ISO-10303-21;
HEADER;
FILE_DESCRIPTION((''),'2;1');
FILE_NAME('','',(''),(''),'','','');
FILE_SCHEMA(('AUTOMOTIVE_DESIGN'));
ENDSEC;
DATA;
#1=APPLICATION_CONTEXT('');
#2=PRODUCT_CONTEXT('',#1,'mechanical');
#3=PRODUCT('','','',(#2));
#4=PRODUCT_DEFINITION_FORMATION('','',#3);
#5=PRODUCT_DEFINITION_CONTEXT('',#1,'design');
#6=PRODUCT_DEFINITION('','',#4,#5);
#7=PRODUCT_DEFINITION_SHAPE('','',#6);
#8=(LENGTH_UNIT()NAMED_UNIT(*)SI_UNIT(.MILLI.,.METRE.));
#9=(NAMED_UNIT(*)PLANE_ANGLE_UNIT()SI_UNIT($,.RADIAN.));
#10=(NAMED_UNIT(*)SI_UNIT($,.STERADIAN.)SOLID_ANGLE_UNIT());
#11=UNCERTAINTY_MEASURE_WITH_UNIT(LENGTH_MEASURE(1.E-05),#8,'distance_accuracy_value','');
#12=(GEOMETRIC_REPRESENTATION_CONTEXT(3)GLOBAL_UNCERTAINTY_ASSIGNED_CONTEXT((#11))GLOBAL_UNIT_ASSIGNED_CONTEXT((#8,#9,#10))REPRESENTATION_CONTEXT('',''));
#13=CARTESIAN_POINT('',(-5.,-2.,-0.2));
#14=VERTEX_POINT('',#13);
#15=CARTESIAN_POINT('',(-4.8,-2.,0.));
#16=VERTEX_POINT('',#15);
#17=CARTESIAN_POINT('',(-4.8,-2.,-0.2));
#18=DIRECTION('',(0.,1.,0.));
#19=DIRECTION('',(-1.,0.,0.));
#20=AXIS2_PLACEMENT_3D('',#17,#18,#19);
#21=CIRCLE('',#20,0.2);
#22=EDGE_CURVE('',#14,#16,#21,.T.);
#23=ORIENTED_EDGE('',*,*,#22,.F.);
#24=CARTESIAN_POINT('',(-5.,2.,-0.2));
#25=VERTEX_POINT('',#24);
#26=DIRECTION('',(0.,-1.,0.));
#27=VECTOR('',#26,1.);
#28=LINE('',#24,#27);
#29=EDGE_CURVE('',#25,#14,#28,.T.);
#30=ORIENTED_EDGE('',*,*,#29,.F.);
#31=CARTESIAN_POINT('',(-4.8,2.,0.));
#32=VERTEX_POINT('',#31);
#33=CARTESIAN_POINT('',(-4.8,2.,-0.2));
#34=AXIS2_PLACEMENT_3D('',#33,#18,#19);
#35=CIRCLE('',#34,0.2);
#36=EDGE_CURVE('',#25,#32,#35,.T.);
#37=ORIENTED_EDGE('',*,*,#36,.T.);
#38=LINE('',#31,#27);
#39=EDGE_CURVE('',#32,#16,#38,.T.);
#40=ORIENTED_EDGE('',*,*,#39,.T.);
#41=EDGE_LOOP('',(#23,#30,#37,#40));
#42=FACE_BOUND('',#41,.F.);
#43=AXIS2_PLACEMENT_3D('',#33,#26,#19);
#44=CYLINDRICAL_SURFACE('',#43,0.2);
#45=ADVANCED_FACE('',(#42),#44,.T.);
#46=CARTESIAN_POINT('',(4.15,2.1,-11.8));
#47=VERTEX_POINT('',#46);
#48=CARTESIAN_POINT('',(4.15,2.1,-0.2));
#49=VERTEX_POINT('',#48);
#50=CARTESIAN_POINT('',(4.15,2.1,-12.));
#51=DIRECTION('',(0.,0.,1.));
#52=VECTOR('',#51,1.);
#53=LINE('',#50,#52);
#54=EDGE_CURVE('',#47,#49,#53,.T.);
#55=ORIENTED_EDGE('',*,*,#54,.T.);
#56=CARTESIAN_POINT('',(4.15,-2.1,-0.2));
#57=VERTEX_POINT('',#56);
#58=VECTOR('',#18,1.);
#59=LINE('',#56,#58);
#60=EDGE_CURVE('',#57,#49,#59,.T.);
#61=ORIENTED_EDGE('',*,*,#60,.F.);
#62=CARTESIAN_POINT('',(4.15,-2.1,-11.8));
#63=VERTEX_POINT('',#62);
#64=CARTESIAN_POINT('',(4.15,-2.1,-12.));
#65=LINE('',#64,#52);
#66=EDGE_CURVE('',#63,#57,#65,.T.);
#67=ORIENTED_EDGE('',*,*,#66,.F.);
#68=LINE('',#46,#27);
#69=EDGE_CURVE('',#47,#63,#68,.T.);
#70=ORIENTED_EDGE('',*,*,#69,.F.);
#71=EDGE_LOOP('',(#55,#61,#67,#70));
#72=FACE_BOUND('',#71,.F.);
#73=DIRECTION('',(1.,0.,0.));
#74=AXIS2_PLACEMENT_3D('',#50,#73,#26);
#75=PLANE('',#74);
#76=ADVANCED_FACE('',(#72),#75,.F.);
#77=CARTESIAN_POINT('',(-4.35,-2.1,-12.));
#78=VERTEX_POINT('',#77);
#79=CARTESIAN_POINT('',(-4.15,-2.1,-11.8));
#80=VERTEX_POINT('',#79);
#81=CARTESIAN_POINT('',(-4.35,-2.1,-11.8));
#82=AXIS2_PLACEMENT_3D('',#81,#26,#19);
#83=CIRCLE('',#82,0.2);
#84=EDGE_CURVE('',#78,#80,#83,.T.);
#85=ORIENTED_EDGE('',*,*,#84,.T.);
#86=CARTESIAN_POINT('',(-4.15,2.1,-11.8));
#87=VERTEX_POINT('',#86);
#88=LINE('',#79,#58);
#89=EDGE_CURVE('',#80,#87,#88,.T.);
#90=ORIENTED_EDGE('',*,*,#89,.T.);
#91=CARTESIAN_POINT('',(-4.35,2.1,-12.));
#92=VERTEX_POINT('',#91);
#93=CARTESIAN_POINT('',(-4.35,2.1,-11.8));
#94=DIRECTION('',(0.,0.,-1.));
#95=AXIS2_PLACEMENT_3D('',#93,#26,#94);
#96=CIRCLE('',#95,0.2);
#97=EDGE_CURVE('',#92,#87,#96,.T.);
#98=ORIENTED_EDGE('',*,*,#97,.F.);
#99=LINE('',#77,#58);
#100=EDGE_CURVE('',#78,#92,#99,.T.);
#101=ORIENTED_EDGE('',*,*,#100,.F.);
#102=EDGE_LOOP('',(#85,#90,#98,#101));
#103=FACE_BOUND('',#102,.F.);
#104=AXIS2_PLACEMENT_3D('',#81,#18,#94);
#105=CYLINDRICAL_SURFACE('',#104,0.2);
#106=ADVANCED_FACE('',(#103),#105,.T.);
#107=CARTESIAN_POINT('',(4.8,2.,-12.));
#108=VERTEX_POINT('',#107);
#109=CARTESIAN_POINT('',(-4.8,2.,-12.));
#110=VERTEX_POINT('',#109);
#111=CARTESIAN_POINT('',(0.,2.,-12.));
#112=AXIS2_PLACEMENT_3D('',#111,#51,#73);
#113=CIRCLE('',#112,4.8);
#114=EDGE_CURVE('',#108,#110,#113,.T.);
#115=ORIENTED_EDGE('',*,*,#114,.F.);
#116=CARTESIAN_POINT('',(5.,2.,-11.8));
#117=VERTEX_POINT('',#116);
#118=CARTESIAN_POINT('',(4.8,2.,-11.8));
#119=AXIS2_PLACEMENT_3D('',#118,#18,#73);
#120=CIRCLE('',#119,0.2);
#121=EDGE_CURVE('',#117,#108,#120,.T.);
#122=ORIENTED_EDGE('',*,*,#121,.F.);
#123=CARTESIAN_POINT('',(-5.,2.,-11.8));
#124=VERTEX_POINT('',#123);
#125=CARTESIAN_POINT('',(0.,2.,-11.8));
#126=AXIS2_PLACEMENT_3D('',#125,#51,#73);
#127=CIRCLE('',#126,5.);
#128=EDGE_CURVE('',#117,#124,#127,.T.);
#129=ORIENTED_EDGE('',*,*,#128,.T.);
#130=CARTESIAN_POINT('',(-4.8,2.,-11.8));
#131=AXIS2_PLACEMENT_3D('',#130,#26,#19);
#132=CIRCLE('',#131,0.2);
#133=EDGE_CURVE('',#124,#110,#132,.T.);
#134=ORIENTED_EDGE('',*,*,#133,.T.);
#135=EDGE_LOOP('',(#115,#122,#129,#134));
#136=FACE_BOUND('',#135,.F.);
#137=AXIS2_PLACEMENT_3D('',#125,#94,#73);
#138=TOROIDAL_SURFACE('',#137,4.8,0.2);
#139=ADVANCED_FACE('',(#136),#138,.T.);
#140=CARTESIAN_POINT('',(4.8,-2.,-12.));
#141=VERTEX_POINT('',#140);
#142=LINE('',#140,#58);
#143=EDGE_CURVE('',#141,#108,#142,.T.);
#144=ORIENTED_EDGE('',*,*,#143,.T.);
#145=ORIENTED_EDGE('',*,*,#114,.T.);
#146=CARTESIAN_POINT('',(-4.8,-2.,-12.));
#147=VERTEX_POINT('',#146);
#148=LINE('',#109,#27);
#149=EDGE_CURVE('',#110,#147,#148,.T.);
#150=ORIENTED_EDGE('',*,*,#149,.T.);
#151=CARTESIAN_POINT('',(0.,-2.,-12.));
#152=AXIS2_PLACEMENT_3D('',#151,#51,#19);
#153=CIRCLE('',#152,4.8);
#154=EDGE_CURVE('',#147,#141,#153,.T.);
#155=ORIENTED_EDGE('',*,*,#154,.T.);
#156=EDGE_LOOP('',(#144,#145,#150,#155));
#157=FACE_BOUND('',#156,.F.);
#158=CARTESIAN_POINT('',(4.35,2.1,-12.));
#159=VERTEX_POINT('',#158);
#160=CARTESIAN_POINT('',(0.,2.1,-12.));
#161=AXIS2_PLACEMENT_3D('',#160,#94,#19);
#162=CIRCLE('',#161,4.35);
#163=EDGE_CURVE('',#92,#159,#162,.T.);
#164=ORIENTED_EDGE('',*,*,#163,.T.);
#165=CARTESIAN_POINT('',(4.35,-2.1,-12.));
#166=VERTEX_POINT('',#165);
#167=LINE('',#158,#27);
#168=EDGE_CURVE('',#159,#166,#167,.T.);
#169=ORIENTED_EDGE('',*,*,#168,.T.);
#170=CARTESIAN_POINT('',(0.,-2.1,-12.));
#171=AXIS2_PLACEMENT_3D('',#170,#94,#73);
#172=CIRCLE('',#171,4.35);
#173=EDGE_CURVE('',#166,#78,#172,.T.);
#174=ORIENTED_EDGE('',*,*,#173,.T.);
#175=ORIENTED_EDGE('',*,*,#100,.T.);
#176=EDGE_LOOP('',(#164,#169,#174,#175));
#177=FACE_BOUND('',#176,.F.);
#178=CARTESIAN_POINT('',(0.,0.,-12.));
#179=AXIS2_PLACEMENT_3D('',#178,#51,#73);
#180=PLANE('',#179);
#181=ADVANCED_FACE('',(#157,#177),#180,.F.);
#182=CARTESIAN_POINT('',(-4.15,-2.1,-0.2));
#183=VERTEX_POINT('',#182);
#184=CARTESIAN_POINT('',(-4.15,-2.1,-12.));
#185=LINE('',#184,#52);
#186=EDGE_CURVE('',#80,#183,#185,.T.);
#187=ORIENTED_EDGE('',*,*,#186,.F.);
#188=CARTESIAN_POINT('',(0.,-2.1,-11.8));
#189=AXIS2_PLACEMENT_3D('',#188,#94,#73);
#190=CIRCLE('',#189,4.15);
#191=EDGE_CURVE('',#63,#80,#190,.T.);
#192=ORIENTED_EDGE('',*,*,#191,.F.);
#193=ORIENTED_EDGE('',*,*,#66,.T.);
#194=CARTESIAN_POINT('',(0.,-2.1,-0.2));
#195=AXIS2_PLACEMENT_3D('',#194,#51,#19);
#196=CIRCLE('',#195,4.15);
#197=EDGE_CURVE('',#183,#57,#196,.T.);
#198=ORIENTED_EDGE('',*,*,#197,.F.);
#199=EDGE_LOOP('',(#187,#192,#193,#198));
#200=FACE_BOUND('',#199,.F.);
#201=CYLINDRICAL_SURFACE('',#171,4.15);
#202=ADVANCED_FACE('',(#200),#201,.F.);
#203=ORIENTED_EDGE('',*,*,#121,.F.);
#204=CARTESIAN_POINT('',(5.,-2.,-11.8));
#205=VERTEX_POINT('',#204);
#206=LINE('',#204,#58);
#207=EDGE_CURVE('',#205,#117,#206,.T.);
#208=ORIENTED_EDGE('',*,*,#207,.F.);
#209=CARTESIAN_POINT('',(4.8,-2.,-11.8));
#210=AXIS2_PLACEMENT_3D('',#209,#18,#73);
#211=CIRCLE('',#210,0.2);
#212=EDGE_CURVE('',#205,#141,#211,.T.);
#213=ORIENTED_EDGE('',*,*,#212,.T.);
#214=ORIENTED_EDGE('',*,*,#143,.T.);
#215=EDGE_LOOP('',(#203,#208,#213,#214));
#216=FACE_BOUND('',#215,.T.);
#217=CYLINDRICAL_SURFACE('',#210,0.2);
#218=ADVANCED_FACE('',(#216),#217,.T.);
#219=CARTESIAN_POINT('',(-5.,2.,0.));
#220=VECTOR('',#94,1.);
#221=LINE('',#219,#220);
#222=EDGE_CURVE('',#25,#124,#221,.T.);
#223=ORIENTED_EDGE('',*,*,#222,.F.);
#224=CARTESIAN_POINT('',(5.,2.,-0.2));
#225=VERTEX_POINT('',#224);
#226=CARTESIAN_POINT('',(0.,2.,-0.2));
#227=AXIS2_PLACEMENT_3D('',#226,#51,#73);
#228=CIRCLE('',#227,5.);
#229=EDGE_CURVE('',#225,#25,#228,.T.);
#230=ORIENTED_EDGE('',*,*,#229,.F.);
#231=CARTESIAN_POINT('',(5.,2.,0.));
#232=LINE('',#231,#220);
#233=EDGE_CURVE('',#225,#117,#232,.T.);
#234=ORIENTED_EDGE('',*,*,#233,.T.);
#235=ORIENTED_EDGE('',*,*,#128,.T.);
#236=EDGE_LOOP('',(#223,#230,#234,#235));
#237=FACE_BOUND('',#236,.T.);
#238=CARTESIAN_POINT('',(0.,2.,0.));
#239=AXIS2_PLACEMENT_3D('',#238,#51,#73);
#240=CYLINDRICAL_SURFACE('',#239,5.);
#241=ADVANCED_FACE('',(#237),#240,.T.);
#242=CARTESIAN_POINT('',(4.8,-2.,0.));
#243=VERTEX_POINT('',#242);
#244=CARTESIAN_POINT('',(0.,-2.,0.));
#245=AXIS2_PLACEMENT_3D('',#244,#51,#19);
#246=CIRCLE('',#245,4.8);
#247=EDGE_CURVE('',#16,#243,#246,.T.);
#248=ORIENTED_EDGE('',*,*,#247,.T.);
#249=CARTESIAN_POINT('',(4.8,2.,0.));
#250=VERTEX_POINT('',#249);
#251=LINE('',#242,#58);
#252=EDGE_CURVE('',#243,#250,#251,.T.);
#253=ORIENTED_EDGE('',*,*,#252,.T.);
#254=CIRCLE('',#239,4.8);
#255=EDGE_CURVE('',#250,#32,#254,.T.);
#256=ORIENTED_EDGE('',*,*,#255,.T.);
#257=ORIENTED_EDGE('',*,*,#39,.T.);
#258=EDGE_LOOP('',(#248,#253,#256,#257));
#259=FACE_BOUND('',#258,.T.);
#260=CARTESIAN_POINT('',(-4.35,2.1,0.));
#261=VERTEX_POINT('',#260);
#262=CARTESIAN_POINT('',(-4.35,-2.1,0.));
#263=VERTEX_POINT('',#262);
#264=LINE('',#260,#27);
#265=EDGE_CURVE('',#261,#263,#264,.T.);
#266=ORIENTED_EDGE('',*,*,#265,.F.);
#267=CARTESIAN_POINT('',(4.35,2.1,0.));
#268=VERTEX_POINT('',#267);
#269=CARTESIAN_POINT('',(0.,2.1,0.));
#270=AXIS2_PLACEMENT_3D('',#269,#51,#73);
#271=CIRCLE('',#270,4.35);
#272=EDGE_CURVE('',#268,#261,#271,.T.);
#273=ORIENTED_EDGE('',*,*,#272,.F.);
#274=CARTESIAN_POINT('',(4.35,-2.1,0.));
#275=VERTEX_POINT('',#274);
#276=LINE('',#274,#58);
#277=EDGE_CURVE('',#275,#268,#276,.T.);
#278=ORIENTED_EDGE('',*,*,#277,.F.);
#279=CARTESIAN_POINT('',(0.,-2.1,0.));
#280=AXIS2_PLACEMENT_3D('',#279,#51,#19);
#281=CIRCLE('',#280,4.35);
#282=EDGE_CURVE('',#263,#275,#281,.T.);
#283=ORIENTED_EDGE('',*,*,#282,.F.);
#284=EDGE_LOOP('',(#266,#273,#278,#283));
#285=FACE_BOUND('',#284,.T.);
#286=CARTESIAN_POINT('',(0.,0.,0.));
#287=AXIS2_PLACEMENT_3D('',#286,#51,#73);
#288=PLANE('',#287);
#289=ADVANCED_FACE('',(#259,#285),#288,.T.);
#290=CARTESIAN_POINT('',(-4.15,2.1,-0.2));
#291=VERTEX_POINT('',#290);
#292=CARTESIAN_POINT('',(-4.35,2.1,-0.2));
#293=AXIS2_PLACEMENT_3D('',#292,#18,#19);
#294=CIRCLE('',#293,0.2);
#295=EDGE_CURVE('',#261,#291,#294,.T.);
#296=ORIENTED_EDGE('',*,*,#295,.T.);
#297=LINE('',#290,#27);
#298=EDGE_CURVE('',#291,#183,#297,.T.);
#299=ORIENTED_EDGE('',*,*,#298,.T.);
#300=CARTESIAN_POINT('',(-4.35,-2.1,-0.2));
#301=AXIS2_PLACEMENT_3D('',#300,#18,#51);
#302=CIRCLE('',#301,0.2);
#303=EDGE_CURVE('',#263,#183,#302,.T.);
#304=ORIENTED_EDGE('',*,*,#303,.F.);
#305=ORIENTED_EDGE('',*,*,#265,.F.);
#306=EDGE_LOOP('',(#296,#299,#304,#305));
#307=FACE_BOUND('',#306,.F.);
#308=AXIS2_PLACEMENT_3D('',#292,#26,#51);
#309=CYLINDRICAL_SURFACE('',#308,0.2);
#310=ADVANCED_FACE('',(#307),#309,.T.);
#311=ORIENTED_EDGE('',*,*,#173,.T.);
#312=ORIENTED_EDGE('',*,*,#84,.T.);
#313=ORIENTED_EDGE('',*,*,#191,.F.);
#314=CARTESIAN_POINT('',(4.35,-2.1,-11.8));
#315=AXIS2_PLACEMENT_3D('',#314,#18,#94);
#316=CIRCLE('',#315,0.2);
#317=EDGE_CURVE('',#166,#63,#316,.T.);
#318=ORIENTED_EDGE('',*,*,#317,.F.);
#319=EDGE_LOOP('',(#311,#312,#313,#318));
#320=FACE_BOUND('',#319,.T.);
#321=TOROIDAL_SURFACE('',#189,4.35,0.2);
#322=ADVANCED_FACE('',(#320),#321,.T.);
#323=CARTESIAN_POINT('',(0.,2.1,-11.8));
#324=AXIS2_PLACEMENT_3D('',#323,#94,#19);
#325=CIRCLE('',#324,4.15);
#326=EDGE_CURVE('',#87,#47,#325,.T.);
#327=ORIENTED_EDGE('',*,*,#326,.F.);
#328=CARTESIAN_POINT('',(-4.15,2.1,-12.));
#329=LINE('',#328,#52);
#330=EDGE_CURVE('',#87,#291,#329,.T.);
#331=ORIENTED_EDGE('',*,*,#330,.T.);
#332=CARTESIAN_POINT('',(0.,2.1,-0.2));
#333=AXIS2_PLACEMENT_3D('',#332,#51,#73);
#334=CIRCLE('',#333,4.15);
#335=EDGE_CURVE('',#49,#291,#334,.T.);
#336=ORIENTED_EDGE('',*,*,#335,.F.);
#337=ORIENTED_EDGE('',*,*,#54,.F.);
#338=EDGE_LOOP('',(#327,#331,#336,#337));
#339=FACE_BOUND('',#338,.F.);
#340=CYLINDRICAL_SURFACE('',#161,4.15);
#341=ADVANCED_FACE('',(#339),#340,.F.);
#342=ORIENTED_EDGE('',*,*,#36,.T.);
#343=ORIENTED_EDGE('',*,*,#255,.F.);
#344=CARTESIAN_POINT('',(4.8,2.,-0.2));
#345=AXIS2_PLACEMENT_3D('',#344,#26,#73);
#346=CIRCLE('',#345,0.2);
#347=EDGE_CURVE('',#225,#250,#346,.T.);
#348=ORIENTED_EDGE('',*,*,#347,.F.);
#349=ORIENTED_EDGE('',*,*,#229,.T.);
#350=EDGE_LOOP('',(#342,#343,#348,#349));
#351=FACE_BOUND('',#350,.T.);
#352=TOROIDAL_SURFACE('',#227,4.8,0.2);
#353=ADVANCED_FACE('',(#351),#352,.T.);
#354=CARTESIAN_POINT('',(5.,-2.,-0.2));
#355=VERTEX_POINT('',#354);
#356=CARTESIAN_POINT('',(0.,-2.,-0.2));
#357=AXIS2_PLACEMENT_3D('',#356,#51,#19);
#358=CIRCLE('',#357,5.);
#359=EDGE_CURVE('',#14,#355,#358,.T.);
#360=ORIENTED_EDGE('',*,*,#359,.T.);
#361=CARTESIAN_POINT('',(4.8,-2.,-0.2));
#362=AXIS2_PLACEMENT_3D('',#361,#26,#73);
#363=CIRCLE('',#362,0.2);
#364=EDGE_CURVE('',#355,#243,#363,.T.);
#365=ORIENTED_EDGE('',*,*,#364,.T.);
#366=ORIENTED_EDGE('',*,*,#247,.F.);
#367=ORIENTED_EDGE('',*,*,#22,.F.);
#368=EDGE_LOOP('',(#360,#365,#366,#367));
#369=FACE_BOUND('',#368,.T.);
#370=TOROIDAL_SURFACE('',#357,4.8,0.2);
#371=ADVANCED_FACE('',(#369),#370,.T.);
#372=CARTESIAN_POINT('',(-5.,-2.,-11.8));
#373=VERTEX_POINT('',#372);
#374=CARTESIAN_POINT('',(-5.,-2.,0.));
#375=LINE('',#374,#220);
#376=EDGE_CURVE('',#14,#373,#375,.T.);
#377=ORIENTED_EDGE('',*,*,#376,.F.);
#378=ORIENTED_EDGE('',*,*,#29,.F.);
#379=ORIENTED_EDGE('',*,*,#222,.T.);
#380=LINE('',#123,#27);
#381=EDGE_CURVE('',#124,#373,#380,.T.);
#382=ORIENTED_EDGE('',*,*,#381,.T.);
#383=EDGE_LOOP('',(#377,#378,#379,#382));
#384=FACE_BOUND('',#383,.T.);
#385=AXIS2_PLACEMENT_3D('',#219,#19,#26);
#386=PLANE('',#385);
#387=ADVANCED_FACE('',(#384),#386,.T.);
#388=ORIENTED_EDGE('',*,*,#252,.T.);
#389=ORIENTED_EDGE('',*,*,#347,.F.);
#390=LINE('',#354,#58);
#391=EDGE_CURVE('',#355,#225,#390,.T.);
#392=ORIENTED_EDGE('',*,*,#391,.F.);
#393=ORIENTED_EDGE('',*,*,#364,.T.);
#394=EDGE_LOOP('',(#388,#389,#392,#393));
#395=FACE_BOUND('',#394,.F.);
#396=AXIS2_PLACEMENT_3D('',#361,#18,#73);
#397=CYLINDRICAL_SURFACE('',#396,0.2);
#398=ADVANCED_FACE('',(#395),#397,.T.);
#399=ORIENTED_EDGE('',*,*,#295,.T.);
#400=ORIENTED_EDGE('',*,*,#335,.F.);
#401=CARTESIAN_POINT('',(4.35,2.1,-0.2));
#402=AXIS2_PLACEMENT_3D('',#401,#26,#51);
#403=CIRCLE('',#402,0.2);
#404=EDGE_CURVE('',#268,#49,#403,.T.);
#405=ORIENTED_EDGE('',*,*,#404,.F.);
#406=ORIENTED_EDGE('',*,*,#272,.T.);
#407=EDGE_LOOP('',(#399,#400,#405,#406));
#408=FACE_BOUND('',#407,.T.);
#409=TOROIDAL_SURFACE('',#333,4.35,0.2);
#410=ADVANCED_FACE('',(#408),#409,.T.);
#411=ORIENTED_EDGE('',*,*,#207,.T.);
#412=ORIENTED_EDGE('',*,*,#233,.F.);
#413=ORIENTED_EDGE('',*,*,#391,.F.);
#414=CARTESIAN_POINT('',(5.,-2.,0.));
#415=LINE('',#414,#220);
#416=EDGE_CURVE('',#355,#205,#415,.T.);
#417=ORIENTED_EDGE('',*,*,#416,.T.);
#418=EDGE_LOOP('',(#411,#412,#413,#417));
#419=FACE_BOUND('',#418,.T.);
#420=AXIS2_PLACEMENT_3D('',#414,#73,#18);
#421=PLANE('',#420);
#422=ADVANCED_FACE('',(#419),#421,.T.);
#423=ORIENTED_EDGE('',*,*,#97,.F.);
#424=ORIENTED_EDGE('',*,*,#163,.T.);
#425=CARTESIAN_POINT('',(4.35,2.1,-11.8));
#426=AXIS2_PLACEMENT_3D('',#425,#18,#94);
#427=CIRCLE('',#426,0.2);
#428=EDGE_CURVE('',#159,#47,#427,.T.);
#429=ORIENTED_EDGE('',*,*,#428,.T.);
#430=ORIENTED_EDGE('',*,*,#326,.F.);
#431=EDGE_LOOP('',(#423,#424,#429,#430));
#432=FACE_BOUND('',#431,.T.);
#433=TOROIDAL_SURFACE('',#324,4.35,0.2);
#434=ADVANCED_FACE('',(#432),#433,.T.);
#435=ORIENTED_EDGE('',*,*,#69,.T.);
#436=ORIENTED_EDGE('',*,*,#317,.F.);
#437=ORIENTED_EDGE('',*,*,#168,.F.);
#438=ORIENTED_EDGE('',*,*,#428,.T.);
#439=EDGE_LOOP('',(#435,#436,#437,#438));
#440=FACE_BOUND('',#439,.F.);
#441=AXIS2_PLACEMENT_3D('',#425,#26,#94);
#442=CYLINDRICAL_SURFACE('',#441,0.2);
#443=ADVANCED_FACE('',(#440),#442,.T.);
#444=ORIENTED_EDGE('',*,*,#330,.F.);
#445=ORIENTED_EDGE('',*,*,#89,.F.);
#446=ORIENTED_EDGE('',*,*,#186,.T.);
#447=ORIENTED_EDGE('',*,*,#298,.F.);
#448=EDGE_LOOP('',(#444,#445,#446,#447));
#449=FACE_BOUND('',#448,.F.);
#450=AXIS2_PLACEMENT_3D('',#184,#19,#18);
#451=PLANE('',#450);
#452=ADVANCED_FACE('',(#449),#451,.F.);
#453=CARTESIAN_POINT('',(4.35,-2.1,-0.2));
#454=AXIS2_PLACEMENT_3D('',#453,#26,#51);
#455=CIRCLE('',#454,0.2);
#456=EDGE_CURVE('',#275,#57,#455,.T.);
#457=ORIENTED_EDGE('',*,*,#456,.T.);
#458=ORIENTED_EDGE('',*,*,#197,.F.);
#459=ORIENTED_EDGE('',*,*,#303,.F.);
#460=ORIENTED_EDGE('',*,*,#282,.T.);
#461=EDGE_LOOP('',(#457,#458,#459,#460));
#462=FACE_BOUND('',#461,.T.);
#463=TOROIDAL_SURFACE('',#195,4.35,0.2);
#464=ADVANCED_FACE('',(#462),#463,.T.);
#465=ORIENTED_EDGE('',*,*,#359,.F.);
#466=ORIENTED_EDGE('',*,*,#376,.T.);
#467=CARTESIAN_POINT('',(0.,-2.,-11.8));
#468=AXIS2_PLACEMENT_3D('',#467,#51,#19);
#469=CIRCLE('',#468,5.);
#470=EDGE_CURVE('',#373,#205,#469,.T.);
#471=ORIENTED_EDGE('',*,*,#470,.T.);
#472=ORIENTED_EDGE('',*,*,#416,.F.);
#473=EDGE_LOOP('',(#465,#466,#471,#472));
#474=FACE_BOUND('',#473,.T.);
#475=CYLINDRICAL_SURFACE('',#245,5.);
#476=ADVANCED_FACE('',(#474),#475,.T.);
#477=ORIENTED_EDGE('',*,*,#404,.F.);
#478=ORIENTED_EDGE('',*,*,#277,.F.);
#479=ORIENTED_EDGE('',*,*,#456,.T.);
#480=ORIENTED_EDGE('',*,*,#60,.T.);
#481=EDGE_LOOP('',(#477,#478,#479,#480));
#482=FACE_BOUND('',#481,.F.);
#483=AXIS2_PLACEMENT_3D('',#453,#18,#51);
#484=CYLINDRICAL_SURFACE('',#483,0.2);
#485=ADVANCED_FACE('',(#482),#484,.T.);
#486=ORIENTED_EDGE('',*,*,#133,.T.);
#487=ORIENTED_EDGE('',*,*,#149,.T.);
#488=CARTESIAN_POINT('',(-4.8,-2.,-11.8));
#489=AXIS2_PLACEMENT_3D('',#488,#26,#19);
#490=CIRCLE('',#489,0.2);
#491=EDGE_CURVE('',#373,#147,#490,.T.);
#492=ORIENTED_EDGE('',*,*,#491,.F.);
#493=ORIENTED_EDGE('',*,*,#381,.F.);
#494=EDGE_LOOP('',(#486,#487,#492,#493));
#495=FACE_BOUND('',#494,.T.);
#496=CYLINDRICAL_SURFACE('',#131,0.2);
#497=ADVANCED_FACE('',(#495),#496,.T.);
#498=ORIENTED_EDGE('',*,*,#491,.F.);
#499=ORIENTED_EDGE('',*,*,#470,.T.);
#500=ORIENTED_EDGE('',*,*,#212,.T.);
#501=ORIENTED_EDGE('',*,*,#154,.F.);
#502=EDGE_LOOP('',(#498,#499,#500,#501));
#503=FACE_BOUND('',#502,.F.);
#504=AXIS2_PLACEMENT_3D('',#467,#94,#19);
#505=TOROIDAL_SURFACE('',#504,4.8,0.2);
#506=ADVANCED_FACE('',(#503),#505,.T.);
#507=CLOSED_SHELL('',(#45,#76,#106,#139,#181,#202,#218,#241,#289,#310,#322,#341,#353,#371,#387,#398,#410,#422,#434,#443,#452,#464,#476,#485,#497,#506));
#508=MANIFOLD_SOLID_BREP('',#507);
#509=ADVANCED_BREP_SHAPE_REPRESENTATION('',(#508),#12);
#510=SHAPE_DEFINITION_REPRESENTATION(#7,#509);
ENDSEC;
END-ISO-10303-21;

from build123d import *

# Parameters (mm, degrees)
PAD_DEPTH    = 12
POCKET_DEPTH = 12.001
FILLET_R     = 0.2
FILLET001_R  = 0.2


with BuildPart() as part:
    # Sketch → Pad (new body)
    with BuildSketch(Plane.XY):
        with BuildLine():
            ThreePointArc((5, 2), (0, 7), (-5, 2))
            Line((-5, 2), (-5, -2))
            ThreePointArc((-5, -2), (0, -7), (5, -2))
            Line((5, -2), (5, 2))
        make_face()
    extrude(amount=-PAD_DEPTH)

    # Sketch001 (on Face6 of Pad) → Pocket (cut, through all)
    with BuildSketch(Plane(origin=(0, 0, -12), x_dir=(1, 0, 0), z_dir=(0, 0, -1))):
        with BuildLine():
            ThreePointArc((4.15, 2.1), (0, 6.25), (-4.15, 2.1))
            Line((-4.15, 2.1), (-4.15, -2.1))
            ThreePointArc((-4.15, -2.1), (0, -6.25), (4.15, -2.1))
            Line((4.15, -2.1), (4.15, 2.1))
        make_face()
    extrude(amount=-POCKET_DEPTH, mode=Mode.SUBTRACT)

    # Fillet
    fillet_edges = [part.edges().sort_by_distance(p)[0] for p in [
        (0, 7, 0),
        (5, 0, 0),
        (-5, 0, 0),
        (0, -7, 0),
        (4.15, 0, 0),
        (0, 6.25, 0),
        (-4.15, 0, 0),
        (0, -6.25, 0),
    ]]
    fillet(fillet_edges, radius=FILLET_R)

    # Fillet001
    fillet001_edges = [part.edges().sort_by_distance(p)[0] for p in [
        (0, 7, -12),
        (5, 0, -12),
        (-5, 0, -12),
        (0, -7, -12),
        (4.15, 0, -12),
        (0, 6.25, -12),
        (-4.15, 0, -12),
        (0, -6.25, -12),
    ]]
    fillet(fillet001_edges, radius=FILLET001_R)


solid = part.part
